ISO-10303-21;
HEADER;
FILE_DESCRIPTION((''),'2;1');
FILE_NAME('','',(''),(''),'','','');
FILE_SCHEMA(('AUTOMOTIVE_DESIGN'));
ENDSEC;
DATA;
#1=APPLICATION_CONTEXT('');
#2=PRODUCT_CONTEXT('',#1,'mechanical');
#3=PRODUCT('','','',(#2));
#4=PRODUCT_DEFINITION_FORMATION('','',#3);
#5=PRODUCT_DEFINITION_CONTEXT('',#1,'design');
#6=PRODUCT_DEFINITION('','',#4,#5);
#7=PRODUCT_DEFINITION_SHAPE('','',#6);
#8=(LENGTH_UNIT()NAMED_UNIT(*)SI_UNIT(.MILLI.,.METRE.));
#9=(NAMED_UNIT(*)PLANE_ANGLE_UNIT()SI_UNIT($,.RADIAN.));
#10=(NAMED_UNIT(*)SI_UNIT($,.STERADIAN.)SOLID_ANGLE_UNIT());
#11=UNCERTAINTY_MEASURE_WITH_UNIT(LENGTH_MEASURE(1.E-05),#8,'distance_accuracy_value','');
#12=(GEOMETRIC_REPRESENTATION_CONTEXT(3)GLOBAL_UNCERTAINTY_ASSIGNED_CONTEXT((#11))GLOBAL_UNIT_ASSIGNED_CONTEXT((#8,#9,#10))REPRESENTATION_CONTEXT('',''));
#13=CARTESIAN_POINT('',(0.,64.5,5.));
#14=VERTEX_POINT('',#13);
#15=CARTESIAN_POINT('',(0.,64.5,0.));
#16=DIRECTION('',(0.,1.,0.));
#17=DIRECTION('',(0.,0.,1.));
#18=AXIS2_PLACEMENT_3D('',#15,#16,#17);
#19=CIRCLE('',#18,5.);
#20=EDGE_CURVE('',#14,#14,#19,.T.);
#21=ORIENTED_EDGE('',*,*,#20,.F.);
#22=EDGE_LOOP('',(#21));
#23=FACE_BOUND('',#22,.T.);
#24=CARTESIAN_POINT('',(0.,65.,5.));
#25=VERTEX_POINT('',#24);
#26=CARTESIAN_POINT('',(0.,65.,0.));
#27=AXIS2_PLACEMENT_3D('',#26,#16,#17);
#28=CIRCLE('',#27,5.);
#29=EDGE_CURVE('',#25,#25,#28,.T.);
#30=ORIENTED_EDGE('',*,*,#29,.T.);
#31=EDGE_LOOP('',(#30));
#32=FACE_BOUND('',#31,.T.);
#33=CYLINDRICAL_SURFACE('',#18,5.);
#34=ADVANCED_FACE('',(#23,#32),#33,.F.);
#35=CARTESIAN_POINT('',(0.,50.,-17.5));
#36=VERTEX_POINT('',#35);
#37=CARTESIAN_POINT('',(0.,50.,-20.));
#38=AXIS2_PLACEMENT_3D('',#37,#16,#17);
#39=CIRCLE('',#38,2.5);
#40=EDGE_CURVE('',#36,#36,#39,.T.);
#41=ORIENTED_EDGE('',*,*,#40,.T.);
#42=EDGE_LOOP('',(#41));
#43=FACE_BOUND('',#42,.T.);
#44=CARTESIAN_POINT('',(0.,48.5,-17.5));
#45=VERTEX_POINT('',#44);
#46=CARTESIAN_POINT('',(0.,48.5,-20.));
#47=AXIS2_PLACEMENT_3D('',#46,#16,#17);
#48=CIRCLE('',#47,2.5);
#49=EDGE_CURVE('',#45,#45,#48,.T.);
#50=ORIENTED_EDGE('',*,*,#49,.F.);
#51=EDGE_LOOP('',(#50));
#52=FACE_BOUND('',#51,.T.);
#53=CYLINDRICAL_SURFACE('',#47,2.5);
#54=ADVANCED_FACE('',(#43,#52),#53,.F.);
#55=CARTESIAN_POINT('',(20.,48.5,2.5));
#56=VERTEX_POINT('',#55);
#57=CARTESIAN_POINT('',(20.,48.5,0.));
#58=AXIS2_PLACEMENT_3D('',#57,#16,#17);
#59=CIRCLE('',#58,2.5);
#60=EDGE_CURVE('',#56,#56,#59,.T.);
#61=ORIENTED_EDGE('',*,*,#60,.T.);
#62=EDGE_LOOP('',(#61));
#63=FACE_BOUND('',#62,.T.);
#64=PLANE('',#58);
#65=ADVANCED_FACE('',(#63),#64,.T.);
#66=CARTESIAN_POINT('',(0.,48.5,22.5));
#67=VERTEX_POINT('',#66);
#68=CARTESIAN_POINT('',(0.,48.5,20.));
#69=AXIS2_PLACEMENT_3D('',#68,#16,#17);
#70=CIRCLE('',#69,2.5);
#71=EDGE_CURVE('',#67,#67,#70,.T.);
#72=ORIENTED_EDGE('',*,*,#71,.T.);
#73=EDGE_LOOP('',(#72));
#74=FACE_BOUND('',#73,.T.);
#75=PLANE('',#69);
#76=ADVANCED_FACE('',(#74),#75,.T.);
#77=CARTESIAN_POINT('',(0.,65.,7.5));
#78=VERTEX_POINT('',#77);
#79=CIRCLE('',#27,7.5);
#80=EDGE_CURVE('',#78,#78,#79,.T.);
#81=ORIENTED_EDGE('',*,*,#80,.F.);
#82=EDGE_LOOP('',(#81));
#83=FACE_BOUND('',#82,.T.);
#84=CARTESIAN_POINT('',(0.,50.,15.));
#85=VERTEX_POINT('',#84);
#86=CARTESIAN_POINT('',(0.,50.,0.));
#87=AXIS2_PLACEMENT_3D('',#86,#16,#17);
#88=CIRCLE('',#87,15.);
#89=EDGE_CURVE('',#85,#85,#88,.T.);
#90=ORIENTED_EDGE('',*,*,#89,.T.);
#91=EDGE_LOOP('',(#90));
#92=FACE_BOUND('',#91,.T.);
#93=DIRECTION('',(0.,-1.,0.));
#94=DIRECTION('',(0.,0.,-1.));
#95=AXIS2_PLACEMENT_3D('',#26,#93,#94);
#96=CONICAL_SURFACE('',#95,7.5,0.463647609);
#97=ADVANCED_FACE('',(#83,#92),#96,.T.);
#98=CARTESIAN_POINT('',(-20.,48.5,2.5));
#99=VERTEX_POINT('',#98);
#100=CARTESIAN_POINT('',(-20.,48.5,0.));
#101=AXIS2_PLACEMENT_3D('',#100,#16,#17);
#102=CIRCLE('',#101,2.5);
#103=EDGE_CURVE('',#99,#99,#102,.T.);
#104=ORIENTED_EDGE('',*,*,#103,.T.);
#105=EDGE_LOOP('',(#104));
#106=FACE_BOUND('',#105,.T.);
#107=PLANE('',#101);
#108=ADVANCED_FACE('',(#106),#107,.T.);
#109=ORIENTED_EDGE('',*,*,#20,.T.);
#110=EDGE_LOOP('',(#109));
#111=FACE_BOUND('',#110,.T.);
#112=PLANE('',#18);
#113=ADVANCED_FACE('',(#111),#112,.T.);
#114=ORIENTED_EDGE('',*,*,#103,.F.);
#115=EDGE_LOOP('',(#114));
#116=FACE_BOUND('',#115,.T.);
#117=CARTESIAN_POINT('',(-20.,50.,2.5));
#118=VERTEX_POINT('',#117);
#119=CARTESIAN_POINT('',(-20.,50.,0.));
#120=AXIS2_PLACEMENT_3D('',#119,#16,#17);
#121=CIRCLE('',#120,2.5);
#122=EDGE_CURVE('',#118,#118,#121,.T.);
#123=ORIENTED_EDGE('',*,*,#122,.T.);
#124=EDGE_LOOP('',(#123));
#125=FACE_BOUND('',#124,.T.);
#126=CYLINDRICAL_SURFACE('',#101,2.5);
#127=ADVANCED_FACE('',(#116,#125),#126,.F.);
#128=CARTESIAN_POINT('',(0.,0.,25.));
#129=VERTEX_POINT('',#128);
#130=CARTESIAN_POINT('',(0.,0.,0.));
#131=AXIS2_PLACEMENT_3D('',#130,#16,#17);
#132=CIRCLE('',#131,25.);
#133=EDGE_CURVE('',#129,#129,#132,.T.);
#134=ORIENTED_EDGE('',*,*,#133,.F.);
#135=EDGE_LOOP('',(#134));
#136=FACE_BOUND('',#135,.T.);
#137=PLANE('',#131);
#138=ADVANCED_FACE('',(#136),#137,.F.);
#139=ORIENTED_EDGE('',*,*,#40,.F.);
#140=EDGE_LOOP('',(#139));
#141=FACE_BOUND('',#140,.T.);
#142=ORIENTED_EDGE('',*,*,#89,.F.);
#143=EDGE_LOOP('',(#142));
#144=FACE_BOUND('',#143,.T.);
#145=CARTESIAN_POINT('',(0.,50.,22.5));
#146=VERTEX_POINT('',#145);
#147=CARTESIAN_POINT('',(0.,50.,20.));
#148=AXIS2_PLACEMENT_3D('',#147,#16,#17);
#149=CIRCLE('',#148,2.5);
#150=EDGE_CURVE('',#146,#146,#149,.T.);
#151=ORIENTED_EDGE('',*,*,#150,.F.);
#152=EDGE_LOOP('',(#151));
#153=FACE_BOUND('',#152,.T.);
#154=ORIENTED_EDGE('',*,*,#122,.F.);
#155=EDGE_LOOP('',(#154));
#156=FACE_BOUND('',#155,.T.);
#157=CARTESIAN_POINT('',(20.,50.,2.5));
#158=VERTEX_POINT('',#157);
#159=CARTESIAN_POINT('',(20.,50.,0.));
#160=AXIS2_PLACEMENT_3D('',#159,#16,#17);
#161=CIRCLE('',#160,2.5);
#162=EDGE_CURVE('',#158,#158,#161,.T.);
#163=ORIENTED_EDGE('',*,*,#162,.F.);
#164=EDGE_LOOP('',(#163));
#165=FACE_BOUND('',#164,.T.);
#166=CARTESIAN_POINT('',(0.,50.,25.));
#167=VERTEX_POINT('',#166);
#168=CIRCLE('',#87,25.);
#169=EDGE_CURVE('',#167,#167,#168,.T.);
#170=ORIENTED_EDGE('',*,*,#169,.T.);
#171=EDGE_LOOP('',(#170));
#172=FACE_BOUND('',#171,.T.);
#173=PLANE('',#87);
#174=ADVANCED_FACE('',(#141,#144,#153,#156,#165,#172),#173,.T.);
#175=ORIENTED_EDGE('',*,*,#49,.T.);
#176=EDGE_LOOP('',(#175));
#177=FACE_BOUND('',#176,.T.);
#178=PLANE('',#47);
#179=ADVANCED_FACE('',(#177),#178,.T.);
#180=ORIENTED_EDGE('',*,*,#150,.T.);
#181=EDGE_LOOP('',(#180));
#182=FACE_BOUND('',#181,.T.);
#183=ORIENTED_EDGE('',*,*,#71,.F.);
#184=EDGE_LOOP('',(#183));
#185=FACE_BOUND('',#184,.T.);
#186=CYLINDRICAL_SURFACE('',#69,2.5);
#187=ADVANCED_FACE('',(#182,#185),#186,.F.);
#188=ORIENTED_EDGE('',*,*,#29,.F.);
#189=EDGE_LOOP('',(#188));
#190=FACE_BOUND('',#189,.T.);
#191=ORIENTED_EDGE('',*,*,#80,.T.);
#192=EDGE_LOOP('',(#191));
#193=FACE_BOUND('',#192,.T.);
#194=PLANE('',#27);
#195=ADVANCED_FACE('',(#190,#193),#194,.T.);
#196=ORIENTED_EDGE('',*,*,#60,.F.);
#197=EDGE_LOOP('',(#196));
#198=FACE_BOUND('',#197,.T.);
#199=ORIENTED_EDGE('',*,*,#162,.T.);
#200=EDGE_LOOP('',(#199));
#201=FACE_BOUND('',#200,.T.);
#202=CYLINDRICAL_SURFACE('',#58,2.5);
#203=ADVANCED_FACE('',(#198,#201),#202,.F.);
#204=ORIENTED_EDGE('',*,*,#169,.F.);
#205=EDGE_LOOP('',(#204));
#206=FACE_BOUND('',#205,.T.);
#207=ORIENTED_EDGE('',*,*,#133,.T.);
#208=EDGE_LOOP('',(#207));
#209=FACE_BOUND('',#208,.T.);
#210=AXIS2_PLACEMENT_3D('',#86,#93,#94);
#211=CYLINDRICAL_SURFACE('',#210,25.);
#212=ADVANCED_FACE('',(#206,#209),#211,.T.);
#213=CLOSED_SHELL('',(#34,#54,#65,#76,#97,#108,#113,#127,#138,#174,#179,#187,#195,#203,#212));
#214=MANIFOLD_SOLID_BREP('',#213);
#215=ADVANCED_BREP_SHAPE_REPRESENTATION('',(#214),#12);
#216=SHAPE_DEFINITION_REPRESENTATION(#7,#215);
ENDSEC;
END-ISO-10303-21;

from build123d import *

# Parameters (mm, degrees)
SKETCH1_R           = 25
BOSS_EXTRUDE1_DEPTH = 50
SKETCH3_R           = 7.5
SKETCH4_R           = 15
SKETCH5_R           = 5
CUT_EXTRUDE1_DEPTH  = 0.5
CUT_EXTRUDE2_START  = -15
SKETCH5_4_R         = 2.5
CUT_EXTRUDE2_DEPTH  = 1.5


with BuildPart() as part:
    # Sketch1 → Boss-Extrude1 (new body)
    with BuildSketch(Plane(origin=(0, 0, 0), x_dir=(1, 0, 0), z_dir=(0, 1, 0))):
        with Locations(Location((0, 0, 0), (0, 0, 270))):
            Circle(SKETCH1_R)
    extrude(amount=BOSS_EXTRUDE1_DEPTH)

    # Sketch3 → Loft1 section 0
    with BuildSketch(Plane(origin=(0, 65, 0), x_dir=(1, 0, 0), z_dir=(0, 1, 0))):
        Circle(SKETCH3_R)
    # Sketch4 → Loft1 section 1
    with BuildSketch(Plane(origin=(0, 50, 0), x_dir=(1, 0, 0), z_dir=(0, 1, 0))):
        Circle(SKETCH4_R)
    loft()

    # Sketch5 → Cut-Extrude1 (cut)
    with BuildSketch(Plane(origin=(0, 65, 0), x_dir=(1, 0, 0), z_dir=(0, 1, 0))):
        with Locations(Location((0, 0, 0), (0, 0, 270))):
            Circle(SKETCH5_R)
    extrude(amount=-CUT_EXTRUDE1_DEPTH, mode=Mode.SUBTRACT)

    # Sketch5<4> → Cut-Extrude2 (cut)
    with BuildSketch(Plane(origin=(0, 65, 0), x_dir=(1, 0, 0), z_dir=(0, 1, 0)).offset(CUT_EXTRUDE2_START)):
        with Locations(Location((-20, 0, 0), (0, 0, 270))):
            Circle(SKETCH5_4_R)
        with Locations(Location((0, 20, 0), (0, 0, 270))):
            Circle(SKETCH5_4_R)
        with Locations(Location((20, 0, 0), (0, 0, 270))):
            Circle(SKETCH5_4_R)
        with Locations(Location((0, -20, 0), (0, 0, 270))):
            Circle(SKETCH5_4_R)
    extrude(amount=-CUT_EXTRUDE2_DEPTH, mode=Mode.SUBTRACT)


solid = part.part
